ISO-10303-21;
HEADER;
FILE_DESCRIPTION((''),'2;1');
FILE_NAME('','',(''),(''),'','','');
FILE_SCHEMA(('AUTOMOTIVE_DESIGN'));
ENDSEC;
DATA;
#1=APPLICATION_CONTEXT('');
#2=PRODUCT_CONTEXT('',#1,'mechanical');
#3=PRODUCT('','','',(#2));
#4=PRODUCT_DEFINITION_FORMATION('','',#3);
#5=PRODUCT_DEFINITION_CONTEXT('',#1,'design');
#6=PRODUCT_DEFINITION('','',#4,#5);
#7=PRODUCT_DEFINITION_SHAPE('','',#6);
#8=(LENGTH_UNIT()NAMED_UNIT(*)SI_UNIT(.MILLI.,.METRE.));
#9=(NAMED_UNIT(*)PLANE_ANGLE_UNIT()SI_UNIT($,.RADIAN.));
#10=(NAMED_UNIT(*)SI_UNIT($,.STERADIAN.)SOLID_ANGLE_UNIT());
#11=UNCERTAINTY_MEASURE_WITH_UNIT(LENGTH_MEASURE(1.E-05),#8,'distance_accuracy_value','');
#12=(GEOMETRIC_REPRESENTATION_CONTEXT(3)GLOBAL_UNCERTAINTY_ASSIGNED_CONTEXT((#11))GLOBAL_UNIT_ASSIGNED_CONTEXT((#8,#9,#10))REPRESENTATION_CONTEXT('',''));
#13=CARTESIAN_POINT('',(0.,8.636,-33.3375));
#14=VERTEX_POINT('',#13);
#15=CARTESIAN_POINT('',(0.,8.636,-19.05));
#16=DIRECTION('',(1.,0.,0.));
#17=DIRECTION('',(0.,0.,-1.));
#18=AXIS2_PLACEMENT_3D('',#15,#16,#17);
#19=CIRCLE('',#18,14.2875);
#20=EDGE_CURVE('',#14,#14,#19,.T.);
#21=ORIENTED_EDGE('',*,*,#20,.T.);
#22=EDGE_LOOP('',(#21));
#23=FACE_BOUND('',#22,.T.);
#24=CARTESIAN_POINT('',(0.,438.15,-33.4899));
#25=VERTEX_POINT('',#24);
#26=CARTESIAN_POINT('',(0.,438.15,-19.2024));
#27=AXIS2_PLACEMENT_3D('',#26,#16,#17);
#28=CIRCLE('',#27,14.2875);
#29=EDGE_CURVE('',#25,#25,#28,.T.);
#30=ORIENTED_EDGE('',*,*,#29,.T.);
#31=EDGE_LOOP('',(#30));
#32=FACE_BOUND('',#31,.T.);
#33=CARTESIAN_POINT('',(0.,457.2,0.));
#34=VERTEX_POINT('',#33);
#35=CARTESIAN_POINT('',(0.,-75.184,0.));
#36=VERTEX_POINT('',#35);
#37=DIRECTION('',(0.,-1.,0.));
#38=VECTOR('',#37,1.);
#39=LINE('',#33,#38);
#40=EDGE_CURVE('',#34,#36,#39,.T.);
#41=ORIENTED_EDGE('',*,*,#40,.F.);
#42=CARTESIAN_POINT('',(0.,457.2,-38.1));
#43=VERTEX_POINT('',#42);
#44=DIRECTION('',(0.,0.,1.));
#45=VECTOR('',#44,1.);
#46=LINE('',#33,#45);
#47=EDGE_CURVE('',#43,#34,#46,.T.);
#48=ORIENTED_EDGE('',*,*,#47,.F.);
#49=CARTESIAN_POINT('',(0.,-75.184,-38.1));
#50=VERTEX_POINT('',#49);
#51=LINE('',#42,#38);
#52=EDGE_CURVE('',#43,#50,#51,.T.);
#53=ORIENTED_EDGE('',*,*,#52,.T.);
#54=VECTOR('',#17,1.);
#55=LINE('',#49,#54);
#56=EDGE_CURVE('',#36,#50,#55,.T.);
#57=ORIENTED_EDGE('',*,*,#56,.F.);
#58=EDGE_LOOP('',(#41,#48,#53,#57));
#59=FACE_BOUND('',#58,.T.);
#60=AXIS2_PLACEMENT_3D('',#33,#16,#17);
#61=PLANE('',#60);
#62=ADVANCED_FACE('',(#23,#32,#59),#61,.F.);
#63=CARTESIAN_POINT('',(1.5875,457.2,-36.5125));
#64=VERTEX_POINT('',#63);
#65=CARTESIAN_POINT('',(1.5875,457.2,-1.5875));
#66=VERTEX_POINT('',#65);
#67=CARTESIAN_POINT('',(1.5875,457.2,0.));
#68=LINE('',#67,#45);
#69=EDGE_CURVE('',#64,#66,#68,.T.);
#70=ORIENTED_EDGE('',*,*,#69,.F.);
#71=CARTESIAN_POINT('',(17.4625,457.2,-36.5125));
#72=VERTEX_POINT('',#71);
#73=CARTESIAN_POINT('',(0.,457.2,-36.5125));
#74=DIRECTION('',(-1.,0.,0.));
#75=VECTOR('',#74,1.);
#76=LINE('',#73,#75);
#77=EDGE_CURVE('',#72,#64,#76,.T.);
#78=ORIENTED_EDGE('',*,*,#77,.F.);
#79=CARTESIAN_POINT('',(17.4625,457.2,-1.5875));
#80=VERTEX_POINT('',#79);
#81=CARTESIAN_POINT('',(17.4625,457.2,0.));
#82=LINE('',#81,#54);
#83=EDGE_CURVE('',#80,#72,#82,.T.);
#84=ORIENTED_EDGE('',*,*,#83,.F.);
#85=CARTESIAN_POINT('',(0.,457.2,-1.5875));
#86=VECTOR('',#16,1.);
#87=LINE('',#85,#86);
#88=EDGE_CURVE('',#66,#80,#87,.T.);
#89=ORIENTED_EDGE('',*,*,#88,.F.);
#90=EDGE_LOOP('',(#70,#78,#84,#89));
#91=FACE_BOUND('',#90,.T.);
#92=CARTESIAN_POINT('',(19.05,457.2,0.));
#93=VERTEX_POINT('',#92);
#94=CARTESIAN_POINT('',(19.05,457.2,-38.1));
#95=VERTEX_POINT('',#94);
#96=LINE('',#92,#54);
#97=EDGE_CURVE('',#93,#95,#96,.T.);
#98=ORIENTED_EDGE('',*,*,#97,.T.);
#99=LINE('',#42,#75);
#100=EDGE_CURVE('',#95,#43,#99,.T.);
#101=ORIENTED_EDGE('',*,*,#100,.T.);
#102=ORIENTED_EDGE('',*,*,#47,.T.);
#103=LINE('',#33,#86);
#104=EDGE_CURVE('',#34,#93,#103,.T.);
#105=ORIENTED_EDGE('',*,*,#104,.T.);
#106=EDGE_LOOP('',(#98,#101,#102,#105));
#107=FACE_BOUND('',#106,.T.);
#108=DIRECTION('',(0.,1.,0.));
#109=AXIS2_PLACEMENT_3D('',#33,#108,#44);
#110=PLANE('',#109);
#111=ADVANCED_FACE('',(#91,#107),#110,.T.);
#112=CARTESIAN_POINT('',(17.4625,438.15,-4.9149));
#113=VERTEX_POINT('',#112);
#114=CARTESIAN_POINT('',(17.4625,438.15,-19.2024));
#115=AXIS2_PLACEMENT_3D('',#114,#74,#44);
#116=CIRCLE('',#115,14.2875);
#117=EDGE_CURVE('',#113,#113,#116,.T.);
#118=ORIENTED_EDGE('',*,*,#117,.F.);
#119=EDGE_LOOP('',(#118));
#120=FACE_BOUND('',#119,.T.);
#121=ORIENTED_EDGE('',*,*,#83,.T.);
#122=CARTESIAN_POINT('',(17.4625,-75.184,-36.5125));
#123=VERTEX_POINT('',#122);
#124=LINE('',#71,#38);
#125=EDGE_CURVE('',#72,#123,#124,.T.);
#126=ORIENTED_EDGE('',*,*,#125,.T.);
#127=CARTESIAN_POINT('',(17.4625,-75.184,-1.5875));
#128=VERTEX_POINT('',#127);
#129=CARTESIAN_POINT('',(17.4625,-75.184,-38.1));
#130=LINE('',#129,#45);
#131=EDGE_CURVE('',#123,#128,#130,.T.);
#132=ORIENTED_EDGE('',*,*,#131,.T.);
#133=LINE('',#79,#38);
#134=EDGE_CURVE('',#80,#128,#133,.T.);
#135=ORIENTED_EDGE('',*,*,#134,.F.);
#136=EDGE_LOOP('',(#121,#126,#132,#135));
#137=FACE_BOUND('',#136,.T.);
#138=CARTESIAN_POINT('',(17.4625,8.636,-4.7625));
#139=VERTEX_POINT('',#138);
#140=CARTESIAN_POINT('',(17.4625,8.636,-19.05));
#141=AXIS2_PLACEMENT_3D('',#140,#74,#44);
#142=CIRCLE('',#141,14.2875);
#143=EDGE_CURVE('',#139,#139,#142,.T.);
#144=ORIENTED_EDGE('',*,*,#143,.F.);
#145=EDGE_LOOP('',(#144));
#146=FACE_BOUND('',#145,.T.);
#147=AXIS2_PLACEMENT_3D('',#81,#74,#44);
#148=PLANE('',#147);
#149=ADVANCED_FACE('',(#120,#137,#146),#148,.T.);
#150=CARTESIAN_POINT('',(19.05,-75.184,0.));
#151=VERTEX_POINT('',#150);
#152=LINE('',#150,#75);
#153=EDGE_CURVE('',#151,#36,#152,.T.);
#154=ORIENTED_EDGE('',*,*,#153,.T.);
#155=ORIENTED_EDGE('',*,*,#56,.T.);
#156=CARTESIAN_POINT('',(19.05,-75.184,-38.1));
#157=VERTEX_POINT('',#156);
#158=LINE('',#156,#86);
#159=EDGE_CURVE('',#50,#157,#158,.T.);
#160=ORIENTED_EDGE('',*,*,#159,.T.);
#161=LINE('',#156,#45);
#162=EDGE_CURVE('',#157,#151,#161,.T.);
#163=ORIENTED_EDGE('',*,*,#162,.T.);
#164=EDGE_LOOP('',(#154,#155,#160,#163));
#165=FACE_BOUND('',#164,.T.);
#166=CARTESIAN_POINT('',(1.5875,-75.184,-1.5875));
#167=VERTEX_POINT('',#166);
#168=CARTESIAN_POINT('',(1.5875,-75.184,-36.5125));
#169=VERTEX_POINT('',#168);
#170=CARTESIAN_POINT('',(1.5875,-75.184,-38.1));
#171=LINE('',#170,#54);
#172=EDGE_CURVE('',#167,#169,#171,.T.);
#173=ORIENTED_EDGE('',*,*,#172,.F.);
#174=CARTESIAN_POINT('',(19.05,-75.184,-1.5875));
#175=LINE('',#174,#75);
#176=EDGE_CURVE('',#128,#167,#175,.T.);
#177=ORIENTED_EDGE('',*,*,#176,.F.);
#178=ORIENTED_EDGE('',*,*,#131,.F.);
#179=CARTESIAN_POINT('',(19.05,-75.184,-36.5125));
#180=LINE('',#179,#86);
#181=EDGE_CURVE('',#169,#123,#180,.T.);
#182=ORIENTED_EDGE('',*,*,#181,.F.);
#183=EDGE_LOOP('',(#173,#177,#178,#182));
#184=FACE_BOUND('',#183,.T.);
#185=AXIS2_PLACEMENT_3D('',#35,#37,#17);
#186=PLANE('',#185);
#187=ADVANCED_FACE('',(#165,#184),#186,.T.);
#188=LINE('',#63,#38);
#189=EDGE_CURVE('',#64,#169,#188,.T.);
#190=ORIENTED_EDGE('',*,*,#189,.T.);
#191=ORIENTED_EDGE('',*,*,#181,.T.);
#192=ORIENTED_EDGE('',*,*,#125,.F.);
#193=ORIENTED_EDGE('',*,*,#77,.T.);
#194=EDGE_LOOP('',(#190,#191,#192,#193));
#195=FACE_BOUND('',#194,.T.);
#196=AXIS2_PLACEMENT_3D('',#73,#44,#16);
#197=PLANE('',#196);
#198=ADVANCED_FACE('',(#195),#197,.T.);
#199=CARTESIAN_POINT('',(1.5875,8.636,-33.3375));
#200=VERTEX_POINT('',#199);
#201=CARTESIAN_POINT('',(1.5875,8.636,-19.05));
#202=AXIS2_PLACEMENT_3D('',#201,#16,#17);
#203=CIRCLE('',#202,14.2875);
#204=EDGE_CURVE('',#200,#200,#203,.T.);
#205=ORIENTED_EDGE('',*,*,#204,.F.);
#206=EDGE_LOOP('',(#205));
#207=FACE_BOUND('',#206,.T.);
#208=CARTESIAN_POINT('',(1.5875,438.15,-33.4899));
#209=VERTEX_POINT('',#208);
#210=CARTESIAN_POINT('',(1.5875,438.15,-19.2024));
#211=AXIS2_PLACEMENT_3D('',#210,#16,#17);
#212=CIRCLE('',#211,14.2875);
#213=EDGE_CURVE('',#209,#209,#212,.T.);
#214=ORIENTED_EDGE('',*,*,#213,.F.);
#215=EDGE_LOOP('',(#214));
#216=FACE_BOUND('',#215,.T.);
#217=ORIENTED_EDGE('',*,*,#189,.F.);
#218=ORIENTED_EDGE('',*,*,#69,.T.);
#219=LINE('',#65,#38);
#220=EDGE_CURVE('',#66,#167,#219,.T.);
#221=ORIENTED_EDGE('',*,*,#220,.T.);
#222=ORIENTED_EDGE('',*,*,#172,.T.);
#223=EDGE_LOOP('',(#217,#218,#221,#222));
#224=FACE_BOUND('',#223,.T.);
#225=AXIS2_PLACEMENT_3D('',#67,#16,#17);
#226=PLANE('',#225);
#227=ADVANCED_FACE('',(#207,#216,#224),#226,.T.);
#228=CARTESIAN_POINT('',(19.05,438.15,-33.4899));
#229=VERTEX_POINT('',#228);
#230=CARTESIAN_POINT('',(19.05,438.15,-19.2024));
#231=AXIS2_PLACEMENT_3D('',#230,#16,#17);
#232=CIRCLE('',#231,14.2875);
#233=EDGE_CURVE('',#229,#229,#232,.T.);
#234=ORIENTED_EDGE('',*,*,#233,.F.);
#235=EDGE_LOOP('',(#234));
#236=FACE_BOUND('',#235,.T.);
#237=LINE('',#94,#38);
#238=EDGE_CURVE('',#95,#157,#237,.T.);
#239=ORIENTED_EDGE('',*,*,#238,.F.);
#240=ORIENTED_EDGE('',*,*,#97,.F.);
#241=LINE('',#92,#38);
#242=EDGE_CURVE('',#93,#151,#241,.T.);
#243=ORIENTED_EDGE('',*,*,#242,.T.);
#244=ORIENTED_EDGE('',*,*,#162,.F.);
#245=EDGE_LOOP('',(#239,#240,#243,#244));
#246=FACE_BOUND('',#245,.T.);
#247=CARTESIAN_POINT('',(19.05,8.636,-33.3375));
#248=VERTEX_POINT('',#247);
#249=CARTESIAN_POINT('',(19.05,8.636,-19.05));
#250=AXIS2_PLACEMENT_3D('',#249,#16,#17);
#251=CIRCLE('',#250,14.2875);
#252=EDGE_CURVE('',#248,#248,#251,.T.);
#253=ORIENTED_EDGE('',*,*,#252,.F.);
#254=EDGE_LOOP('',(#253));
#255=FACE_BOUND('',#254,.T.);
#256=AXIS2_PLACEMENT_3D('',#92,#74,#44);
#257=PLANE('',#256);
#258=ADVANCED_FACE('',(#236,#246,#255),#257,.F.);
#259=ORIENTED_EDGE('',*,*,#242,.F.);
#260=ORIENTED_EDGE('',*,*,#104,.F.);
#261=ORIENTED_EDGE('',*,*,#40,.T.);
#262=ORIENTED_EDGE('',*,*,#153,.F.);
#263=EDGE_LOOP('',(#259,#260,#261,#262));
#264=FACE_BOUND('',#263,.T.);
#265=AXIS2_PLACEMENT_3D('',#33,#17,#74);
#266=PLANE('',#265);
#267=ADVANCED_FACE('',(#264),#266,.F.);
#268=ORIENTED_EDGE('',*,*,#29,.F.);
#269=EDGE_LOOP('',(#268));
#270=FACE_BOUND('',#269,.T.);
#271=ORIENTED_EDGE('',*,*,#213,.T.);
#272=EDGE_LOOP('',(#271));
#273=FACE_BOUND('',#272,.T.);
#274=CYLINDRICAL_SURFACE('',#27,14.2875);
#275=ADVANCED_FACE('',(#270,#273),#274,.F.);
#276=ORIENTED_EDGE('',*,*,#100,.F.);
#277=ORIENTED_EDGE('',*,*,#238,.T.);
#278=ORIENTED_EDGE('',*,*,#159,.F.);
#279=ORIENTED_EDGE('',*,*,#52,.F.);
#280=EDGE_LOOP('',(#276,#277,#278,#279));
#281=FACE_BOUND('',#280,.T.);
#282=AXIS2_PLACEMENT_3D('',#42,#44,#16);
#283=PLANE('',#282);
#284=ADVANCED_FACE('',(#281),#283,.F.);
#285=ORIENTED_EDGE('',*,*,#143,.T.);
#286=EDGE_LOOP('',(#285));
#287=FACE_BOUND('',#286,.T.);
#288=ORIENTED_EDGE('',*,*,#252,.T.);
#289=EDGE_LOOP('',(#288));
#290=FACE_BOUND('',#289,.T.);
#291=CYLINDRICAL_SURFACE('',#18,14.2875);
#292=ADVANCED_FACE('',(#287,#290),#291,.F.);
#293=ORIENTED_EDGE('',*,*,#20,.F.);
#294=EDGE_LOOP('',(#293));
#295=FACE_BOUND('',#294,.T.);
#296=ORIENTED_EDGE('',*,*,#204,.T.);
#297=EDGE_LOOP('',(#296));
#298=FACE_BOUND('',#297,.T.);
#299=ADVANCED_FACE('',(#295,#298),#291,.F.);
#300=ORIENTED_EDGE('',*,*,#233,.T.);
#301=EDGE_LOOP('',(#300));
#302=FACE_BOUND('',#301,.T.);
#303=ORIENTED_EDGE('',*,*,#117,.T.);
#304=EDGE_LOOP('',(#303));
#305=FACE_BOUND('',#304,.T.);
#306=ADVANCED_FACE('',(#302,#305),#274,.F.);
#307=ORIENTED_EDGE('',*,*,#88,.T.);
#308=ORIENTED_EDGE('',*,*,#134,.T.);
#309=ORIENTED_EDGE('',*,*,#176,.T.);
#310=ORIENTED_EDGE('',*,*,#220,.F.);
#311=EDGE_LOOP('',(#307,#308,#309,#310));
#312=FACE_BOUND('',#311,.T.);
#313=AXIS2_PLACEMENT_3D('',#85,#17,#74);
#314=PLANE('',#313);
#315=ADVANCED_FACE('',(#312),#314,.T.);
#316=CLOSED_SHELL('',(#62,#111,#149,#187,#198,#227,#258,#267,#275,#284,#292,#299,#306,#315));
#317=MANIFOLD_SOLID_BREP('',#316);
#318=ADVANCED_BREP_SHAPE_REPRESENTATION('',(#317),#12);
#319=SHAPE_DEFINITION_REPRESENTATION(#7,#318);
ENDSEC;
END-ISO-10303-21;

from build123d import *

# Parameters (mm, degrees)
SKETCH1_W           = 19.05
SKETCH1_H           = 38.1
SKETCH1_W_2         = 15.875
SKETCH1_H_2         = 34.925
EXTRUDE_THIN1_DEPTH = 457.2
SKETCH3_W           = 19.05
SKETCH3_H           = 38.1
SKETCH3_W_2         = 15.875
SKETCH3_H_2         = 34.925
EXTRUDE_THIN2_DEPTH = 75.184
SKETCH4_R           = 14.2875
CUT_EXTRUDE1_DEPTH  = 20.05


with BuildPart() as part:
    # Sketch1 → Extrude-Thin1 (new body)
    with BuildSketch(Plane(origin=(0, 0, 0), x_dir=(1, 0, 0), z_dir=(0, 1, 0))):
        with Locations((9.525, 19.05)):
            Rectangle(SKETCH1_W, SKETCH1_H)
        with Locations((9.525, 19.05)):
            Rectangle(SKETCH1_W_2, SKETCH1_H_2, mode=Mode.SUBTRACT)
    extrude(amount=EXTRUDE_THIN1_DEPTH)

    # Sketch3 → Extrude-Thin2 (add)
    with BuildSketch(Plane(origin=(0, 0, 0), x_dir=(-1, 0, 0), z_dir=(0, -1, 0))):
        with Locations((-9.525, 19.05)):
            Rectangle(SKETCH3_W, SKETCH3_H)
        with Locations((-9.525, 19.05)):
            Rectangle(SKETCH3_W_2, SKETCH3_H_2, mode=Mode.SUBTRACT)
    extrude(amount=EXTRUDE_THIN2_DEPTH)

    # Sketch4 → Cut-Extrude1 (cut, through all)
    with BuildSketch(Plane(origin=(19.05, 0, 0), x_dir=(0, 0, -1), z_dir=(1, 0, 0))):
        with Locations((19.2024, 438.15)):
            Circle(SKETCH4_R)
        with Locations((19.05, 8.636)):
            Circle(SKETCH4_R)
    extrude(amount=-CUT_EXTRUDE1_DEPTH, mode=Mode.SUBTRACT)


solid = part.part
